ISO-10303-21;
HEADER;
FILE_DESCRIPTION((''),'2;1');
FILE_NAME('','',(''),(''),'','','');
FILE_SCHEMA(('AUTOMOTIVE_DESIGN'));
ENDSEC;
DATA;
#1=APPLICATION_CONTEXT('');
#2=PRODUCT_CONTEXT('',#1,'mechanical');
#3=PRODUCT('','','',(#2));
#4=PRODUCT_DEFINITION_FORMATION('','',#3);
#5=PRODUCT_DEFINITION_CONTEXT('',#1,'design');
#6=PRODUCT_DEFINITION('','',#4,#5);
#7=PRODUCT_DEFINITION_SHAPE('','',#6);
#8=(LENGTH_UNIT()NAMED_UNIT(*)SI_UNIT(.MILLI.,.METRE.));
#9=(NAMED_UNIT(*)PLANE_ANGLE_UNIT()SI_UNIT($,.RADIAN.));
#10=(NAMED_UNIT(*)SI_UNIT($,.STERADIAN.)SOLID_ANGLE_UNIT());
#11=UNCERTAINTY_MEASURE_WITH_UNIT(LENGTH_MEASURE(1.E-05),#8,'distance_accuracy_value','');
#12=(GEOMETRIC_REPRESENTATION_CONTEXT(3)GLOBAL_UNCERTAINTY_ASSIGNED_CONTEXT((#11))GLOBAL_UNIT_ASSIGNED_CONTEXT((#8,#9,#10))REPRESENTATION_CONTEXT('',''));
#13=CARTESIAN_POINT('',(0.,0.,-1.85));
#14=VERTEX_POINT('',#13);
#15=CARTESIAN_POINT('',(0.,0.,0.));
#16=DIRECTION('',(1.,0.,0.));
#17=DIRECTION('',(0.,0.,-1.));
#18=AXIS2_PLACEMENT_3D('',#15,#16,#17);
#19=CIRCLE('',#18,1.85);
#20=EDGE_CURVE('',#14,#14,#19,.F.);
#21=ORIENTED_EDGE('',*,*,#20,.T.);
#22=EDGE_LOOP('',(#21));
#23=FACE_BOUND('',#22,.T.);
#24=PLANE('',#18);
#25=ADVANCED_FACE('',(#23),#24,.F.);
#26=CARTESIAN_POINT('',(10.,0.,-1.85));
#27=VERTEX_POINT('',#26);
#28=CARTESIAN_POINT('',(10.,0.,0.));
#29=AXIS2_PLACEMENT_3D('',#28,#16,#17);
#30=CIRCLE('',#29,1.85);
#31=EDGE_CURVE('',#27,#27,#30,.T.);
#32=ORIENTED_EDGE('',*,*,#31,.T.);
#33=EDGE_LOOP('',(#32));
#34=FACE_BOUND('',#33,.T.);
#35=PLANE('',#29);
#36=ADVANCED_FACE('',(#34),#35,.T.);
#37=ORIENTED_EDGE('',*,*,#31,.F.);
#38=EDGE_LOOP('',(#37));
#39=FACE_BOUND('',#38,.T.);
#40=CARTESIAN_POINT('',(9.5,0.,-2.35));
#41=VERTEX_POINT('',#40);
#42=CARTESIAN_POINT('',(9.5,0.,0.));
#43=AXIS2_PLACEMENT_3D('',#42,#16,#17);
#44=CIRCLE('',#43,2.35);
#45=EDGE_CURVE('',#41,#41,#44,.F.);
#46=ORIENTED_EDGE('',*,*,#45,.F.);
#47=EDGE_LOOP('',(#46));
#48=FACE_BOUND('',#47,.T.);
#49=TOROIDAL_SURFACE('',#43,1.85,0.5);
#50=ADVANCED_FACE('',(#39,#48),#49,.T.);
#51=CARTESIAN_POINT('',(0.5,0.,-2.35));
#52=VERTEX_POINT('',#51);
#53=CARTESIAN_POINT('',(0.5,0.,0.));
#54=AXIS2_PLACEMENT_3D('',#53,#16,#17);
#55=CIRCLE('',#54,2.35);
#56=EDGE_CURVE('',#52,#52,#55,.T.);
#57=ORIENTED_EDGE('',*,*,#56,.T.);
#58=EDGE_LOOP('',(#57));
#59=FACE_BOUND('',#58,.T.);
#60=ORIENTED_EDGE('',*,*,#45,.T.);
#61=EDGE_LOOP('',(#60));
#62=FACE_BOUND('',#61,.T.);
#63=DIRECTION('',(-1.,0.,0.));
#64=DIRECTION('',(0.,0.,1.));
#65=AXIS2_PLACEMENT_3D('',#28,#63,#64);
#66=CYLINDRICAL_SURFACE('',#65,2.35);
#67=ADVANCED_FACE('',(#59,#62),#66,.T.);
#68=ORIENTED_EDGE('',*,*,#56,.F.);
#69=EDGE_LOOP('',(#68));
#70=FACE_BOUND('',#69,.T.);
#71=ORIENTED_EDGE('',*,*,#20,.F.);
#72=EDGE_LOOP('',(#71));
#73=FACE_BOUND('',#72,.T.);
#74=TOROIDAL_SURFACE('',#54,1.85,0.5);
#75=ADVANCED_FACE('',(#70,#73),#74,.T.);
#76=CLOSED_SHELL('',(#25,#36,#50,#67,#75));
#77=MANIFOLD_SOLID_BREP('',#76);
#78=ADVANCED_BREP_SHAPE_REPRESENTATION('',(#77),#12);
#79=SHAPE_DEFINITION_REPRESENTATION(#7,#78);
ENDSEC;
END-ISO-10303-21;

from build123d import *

# Parameters (mm, degrees)
CROQUIS1_R              = 2.35
SALIENTE_EXTRUIR1_DEPTH = 10
REDONDEO1_R             = 0.5


with BuildPart() as part:
    # Croquis1 → Saliente-Extruir1 (new body)
    with BuildSketch(Plane.YZ):
        with Locations(Location((0, 0, 0), (0, 0, 270))):
            Circle(CROQUIS1_R)
    extrude(amount=SALIENTE_EXTRUIR1_DEPTH)

    # Redondeo1
    redondeo1_edges = [part.edges().sort_by_distance(p)[0] for p in [
        (0, 0, 2.35),
        (10, 0, 2.35),
    ]]
    fillet(redondeo1_edges, radius=REDONDEO1_R)


solid = part.part
